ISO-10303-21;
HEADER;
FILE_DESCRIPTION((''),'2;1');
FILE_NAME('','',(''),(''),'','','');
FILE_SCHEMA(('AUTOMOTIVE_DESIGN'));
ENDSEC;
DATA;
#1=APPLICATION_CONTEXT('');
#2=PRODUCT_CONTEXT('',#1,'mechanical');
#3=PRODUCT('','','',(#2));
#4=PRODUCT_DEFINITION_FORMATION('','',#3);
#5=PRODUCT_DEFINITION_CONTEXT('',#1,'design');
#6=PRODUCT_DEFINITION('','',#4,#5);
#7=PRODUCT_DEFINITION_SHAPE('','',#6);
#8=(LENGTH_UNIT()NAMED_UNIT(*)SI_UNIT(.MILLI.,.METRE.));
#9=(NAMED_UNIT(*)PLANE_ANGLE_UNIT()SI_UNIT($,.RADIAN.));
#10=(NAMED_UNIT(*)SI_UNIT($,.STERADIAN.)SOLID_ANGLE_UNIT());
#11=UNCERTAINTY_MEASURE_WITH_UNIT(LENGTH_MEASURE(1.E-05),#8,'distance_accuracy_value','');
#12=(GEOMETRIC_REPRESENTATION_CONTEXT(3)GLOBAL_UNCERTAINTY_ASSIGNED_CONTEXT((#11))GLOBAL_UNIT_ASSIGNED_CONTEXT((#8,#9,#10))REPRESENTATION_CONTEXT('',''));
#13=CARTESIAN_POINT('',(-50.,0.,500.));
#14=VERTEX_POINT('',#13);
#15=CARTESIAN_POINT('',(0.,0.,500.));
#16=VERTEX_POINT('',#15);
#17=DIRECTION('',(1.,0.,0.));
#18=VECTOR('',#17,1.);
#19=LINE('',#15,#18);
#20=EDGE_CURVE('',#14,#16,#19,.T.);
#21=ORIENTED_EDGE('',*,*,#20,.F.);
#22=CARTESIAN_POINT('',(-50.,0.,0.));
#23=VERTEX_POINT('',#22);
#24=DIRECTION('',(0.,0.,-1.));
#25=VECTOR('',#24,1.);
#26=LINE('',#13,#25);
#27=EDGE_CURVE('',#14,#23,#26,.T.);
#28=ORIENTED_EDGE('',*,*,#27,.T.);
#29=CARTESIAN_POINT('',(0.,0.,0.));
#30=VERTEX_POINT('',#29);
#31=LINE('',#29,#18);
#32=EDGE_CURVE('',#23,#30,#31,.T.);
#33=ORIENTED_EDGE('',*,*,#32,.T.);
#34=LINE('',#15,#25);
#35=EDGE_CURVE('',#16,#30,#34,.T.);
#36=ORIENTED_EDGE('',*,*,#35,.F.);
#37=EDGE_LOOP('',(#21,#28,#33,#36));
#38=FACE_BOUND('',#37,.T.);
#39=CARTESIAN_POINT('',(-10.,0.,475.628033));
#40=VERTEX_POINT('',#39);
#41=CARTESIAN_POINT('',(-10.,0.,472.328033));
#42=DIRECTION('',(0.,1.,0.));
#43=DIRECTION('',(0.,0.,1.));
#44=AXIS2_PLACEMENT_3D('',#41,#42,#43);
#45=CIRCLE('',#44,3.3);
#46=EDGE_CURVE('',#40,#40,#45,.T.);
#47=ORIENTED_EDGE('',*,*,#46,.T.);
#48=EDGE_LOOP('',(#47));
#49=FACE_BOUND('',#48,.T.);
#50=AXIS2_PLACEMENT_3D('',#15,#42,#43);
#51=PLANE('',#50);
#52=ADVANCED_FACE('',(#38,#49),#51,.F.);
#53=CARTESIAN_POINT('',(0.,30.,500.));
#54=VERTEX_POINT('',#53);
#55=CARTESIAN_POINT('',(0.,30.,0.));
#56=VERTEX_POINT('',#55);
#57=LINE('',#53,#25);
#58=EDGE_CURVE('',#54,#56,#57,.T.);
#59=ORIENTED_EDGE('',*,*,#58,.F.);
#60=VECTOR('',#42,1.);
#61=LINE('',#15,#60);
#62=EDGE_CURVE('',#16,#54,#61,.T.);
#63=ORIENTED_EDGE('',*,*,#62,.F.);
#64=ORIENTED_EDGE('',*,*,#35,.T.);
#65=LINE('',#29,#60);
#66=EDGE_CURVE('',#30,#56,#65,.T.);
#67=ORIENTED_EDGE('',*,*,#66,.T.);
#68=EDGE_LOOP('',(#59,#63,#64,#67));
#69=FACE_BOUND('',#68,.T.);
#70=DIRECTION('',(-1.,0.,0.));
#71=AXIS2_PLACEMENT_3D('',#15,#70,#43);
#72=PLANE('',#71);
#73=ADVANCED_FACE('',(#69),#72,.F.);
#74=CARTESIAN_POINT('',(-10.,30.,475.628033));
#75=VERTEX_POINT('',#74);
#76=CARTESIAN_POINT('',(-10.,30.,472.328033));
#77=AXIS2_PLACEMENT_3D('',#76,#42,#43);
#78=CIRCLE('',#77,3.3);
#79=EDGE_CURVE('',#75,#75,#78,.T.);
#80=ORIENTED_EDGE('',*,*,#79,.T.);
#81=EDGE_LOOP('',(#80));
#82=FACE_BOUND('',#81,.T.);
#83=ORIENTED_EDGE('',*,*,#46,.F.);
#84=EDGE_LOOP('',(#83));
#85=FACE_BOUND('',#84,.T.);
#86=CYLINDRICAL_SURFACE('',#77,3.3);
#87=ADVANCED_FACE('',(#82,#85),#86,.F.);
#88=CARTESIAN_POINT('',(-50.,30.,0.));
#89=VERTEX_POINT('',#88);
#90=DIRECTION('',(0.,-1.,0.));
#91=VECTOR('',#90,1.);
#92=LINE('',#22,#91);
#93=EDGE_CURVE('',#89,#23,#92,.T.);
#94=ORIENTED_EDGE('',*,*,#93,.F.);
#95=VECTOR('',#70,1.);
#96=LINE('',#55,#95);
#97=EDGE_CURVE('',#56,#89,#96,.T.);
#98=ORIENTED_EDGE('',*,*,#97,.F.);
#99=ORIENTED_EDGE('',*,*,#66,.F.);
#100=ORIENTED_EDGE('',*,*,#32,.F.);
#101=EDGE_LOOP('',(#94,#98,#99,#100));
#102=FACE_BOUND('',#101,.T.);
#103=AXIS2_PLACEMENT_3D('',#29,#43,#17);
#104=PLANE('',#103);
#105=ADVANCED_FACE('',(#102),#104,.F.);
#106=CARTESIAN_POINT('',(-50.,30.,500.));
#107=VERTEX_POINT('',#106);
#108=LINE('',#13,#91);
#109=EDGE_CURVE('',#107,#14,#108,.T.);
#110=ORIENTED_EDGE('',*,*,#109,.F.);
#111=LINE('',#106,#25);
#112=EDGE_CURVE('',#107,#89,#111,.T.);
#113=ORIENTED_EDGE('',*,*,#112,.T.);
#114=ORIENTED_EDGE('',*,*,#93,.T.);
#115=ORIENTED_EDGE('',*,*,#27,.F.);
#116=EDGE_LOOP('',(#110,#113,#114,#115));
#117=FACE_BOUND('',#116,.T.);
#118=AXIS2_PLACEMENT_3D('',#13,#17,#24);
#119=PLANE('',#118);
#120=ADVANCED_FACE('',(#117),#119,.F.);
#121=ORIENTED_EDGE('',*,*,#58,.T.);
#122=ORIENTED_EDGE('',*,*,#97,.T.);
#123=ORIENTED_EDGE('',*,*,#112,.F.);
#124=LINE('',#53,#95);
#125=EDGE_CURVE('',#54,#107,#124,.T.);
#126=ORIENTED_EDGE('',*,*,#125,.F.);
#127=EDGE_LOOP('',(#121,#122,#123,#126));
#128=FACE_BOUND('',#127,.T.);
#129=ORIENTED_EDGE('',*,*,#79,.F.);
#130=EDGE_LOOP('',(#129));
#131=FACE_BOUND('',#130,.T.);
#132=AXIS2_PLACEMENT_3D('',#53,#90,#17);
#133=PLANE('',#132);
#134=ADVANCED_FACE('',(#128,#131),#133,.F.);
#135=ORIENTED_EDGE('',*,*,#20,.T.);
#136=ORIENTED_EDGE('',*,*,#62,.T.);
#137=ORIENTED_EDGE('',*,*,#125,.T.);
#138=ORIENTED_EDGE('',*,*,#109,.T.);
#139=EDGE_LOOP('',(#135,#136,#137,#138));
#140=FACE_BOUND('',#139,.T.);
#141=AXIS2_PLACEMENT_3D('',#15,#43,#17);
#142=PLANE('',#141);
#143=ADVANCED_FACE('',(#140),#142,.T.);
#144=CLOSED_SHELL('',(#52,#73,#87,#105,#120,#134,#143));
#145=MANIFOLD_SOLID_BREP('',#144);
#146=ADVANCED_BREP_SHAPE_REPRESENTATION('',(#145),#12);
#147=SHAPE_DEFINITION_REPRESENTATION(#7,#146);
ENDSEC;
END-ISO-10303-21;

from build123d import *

# Parameters (mm, degrees)
SKETCH1_W            = 50
SKETCH1_H            = 30
BOSS_EXTRUDE1_DEPTH  = 500
M6_CLEARANCE_HOLE1_D = 6.6


with BuildPart() as part:
    # Sketch1 → Boss-Extrude1 (new body)
    with BuildSketch(Plane.XY):
        with Locations((-25, 15)):
            Rectangle(SKETCH1_W, SKETCH1_H)
    extrude(amount=BOSS_EXTRUDE1_DEPTH)

    # M6 Clearance Hole1 (through all)
    with Locations(Plane(origin=(-10, 30, 472.328033339), x_dir=(1, 0, 0), z_dir=(0, 1, 0))):
        with Locations((0, 0)):
            Hole(M6_CLEARANCE_HOLE1_D / 2)


solid = part.part
